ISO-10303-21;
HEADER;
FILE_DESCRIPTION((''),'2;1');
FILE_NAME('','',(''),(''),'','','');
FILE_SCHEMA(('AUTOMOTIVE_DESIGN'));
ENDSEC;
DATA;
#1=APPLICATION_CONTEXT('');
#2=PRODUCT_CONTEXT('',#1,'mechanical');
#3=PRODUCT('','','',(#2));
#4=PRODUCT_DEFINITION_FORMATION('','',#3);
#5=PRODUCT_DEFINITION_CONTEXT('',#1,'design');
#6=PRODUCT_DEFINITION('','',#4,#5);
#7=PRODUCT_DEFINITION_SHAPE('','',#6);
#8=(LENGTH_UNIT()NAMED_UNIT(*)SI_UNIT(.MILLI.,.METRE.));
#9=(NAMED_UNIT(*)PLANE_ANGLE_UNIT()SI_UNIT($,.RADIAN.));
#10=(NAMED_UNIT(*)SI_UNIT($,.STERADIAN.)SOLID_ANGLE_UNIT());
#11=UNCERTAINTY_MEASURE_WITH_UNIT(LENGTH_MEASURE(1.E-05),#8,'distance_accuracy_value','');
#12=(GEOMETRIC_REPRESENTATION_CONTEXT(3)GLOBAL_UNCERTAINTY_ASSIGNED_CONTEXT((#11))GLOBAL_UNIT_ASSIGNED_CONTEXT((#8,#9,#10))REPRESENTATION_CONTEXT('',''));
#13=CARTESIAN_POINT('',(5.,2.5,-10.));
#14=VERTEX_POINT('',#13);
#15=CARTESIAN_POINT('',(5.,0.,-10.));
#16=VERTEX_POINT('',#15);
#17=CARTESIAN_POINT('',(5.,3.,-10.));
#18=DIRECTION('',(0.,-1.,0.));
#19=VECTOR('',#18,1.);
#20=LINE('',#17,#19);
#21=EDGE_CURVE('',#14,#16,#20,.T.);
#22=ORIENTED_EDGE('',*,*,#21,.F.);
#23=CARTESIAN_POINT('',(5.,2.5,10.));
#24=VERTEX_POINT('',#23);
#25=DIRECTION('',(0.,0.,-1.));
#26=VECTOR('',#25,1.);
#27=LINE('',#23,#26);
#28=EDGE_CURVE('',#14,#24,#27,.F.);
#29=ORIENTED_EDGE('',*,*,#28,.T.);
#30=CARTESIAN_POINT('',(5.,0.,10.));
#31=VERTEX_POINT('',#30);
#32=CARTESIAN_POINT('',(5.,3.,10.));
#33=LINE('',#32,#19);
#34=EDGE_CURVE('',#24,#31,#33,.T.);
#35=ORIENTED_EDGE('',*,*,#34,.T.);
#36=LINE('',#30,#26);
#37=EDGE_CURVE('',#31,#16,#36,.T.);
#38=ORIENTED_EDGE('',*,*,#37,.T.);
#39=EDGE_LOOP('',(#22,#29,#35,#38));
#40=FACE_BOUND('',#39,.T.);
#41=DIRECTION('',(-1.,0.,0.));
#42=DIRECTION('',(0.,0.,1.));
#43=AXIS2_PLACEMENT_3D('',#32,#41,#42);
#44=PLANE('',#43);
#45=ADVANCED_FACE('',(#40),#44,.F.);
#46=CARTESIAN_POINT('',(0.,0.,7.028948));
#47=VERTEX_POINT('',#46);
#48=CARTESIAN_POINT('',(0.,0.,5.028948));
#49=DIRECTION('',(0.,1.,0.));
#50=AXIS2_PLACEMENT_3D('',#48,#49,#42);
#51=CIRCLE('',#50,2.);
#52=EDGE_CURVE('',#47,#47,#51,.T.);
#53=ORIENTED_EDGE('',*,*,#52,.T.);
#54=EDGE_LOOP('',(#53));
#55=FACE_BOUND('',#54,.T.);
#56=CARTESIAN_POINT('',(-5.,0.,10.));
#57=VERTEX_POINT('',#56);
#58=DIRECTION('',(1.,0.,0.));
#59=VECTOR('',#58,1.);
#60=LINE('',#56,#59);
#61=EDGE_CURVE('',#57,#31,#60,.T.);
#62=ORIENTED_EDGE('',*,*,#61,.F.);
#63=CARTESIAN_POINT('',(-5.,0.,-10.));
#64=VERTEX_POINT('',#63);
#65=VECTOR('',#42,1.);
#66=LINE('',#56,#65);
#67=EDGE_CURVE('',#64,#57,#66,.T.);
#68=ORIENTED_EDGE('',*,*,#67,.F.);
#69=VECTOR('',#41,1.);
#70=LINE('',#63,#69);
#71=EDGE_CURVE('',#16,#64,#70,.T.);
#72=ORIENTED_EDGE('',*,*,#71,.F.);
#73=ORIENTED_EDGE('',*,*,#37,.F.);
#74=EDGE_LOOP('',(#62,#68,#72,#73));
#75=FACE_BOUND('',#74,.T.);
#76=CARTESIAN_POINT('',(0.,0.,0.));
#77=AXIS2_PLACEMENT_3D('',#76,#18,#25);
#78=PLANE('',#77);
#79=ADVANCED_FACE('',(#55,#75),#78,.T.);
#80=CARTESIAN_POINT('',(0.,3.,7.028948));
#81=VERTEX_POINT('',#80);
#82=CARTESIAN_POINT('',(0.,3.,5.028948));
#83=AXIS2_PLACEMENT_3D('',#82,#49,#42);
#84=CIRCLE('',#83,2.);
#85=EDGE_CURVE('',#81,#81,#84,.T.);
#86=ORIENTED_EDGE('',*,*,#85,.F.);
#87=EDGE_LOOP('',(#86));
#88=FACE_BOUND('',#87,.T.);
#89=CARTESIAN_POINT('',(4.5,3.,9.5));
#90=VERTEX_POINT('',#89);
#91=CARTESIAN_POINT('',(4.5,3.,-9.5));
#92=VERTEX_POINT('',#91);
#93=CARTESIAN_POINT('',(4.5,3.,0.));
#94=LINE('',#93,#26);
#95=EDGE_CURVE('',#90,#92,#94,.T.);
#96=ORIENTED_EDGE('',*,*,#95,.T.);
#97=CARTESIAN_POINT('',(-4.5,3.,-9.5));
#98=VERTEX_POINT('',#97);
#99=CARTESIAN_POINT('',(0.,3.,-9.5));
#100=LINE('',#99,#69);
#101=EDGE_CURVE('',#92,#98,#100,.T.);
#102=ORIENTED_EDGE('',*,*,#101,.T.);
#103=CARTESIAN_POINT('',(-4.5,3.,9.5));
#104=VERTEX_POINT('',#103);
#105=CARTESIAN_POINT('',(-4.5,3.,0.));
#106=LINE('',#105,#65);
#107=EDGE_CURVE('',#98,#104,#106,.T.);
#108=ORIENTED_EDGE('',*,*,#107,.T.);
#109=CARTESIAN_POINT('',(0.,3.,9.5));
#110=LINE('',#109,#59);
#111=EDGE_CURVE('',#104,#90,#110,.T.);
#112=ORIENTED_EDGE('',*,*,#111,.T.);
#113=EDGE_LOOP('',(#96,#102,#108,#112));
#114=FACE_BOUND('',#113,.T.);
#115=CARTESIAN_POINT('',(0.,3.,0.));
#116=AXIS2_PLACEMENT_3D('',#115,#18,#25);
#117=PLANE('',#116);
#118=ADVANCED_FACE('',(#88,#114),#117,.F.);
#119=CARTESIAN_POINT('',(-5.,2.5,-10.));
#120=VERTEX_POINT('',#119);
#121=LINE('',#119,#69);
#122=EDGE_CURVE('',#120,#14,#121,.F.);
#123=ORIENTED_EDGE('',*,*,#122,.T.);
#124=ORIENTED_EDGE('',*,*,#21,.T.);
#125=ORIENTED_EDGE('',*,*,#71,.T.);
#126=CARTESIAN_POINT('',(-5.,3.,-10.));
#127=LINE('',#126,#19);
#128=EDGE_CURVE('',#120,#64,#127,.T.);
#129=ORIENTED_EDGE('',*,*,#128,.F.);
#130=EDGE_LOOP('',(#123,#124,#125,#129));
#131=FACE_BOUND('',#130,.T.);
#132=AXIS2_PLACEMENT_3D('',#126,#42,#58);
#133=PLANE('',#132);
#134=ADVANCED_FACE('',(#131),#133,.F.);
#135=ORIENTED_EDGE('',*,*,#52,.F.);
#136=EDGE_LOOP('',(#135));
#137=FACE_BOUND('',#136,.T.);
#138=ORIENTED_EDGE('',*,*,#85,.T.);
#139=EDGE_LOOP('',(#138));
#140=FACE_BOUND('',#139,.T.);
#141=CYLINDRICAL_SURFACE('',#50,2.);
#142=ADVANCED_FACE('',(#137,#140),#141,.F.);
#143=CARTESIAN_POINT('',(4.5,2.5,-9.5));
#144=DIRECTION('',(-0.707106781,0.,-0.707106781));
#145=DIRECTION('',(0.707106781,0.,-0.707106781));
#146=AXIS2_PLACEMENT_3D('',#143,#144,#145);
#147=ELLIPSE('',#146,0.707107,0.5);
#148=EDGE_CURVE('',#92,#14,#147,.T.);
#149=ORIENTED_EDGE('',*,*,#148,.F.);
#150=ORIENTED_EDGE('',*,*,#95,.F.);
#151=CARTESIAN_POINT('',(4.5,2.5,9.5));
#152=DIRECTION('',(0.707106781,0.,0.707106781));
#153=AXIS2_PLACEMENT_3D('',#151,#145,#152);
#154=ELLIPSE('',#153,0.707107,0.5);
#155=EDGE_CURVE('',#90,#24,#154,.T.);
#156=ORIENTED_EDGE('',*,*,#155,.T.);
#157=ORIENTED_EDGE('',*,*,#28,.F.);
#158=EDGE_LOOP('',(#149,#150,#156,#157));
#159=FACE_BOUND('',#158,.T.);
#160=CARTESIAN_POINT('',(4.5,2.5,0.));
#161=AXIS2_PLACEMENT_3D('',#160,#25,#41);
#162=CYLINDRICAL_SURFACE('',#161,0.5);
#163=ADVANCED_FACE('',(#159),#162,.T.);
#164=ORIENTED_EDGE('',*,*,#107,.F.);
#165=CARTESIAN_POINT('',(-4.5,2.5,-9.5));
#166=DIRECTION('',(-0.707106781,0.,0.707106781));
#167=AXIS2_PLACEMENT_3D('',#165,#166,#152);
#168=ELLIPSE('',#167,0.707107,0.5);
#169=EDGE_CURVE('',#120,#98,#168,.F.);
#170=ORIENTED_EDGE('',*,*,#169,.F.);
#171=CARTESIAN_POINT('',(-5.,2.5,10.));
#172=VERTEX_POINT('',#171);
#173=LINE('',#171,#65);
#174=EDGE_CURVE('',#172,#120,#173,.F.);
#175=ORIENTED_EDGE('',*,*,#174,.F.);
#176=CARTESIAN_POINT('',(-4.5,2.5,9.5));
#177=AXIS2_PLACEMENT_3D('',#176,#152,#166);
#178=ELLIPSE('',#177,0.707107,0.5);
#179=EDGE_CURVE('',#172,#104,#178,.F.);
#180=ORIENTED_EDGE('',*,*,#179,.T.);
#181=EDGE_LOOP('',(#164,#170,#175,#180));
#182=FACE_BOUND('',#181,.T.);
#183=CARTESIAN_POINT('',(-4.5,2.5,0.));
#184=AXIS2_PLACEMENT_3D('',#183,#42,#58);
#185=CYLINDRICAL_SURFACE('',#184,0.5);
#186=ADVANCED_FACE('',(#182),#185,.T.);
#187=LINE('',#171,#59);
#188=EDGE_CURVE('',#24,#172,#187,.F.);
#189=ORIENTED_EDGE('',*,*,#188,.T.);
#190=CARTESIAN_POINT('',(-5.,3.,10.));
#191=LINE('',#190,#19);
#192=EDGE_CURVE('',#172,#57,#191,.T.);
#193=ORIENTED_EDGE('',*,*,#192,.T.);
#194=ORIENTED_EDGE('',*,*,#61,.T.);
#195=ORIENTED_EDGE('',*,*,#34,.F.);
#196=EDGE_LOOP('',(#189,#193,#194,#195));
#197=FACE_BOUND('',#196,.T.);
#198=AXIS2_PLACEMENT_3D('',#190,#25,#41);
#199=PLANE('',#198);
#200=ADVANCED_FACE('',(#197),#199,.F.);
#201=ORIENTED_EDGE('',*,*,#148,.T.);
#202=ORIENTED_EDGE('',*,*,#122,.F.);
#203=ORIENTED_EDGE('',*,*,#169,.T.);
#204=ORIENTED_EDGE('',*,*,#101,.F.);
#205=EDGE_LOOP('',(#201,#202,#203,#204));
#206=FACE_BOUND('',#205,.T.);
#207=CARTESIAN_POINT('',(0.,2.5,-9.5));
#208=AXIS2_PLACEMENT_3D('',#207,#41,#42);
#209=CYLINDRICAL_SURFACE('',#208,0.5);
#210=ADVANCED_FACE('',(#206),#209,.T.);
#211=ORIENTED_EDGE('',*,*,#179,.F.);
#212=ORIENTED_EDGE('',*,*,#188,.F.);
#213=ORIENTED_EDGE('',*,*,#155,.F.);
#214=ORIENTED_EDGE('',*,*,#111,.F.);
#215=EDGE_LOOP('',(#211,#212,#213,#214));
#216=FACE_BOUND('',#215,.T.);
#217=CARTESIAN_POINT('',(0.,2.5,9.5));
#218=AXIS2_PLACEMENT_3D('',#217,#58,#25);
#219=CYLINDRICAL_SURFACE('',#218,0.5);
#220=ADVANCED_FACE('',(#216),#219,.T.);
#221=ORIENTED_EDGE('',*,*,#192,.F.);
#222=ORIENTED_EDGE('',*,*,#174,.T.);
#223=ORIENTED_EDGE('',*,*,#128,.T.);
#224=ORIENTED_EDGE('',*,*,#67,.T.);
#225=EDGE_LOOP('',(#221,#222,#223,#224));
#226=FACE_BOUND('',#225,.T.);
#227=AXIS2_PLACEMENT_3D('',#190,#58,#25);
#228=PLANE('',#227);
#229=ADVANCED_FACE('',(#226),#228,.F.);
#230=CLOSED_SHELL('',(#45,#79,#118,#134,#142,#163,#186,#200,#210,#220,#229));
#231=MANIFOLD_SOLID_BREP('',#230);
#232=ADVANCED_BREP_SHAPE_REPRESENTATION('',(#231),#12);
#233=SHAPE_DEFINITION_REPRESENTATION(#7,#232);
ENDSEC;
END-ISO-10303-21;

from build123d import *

# Parameters (mm, degrees)
SKETCH1_W           = 10
SKETCH1_H           = 20
BOSS_EXTRUDE1_DEPTH = 3
SKETCH2_R           = 2
CUT_EXTRUDE1_DEPTH  = 3
FILLET1_R           = 0.5


with BuildPart() as part:
    # Sketch1 → Boss-Extrude1 (new body)
    with BuildSketch(Plane(origin=(0, 0, 0), x_dir=(1, 0, 0), z_dir=(0, 1, 0))):
        Rectangle(SKETCH1_W, SKETCH1_H)
    extrude(amount=BOSS_EXTRUDE1_DEPTH)

    # Sketch2 → Cut-Extrude1 (cut)
    with BuildSketch(Plane(origin=(0, 3, 0), x_dir=(1, 0, 0), z_dir=(0, 1, 0))):
        with Locations(Location((0, -5.028947697, 0), (0, 0, 270))):
            Circle(SKETCH2_R)
    extrude(amount=-CUT_EXTRUDE1_DEPTH, mode=Mode.SUBTRACT)

    # Fillet1
    fillet1_edges = [part.edges().sort_by_distance(p)[0] for p in [
        (-5, 3, 0),
        (0, 3, 10),
        (5, 3, 0),
        (0, 3, -10),
    ]]
    fillet(fillet1_edges, radius=FILLET1_R)


solid = part.part
